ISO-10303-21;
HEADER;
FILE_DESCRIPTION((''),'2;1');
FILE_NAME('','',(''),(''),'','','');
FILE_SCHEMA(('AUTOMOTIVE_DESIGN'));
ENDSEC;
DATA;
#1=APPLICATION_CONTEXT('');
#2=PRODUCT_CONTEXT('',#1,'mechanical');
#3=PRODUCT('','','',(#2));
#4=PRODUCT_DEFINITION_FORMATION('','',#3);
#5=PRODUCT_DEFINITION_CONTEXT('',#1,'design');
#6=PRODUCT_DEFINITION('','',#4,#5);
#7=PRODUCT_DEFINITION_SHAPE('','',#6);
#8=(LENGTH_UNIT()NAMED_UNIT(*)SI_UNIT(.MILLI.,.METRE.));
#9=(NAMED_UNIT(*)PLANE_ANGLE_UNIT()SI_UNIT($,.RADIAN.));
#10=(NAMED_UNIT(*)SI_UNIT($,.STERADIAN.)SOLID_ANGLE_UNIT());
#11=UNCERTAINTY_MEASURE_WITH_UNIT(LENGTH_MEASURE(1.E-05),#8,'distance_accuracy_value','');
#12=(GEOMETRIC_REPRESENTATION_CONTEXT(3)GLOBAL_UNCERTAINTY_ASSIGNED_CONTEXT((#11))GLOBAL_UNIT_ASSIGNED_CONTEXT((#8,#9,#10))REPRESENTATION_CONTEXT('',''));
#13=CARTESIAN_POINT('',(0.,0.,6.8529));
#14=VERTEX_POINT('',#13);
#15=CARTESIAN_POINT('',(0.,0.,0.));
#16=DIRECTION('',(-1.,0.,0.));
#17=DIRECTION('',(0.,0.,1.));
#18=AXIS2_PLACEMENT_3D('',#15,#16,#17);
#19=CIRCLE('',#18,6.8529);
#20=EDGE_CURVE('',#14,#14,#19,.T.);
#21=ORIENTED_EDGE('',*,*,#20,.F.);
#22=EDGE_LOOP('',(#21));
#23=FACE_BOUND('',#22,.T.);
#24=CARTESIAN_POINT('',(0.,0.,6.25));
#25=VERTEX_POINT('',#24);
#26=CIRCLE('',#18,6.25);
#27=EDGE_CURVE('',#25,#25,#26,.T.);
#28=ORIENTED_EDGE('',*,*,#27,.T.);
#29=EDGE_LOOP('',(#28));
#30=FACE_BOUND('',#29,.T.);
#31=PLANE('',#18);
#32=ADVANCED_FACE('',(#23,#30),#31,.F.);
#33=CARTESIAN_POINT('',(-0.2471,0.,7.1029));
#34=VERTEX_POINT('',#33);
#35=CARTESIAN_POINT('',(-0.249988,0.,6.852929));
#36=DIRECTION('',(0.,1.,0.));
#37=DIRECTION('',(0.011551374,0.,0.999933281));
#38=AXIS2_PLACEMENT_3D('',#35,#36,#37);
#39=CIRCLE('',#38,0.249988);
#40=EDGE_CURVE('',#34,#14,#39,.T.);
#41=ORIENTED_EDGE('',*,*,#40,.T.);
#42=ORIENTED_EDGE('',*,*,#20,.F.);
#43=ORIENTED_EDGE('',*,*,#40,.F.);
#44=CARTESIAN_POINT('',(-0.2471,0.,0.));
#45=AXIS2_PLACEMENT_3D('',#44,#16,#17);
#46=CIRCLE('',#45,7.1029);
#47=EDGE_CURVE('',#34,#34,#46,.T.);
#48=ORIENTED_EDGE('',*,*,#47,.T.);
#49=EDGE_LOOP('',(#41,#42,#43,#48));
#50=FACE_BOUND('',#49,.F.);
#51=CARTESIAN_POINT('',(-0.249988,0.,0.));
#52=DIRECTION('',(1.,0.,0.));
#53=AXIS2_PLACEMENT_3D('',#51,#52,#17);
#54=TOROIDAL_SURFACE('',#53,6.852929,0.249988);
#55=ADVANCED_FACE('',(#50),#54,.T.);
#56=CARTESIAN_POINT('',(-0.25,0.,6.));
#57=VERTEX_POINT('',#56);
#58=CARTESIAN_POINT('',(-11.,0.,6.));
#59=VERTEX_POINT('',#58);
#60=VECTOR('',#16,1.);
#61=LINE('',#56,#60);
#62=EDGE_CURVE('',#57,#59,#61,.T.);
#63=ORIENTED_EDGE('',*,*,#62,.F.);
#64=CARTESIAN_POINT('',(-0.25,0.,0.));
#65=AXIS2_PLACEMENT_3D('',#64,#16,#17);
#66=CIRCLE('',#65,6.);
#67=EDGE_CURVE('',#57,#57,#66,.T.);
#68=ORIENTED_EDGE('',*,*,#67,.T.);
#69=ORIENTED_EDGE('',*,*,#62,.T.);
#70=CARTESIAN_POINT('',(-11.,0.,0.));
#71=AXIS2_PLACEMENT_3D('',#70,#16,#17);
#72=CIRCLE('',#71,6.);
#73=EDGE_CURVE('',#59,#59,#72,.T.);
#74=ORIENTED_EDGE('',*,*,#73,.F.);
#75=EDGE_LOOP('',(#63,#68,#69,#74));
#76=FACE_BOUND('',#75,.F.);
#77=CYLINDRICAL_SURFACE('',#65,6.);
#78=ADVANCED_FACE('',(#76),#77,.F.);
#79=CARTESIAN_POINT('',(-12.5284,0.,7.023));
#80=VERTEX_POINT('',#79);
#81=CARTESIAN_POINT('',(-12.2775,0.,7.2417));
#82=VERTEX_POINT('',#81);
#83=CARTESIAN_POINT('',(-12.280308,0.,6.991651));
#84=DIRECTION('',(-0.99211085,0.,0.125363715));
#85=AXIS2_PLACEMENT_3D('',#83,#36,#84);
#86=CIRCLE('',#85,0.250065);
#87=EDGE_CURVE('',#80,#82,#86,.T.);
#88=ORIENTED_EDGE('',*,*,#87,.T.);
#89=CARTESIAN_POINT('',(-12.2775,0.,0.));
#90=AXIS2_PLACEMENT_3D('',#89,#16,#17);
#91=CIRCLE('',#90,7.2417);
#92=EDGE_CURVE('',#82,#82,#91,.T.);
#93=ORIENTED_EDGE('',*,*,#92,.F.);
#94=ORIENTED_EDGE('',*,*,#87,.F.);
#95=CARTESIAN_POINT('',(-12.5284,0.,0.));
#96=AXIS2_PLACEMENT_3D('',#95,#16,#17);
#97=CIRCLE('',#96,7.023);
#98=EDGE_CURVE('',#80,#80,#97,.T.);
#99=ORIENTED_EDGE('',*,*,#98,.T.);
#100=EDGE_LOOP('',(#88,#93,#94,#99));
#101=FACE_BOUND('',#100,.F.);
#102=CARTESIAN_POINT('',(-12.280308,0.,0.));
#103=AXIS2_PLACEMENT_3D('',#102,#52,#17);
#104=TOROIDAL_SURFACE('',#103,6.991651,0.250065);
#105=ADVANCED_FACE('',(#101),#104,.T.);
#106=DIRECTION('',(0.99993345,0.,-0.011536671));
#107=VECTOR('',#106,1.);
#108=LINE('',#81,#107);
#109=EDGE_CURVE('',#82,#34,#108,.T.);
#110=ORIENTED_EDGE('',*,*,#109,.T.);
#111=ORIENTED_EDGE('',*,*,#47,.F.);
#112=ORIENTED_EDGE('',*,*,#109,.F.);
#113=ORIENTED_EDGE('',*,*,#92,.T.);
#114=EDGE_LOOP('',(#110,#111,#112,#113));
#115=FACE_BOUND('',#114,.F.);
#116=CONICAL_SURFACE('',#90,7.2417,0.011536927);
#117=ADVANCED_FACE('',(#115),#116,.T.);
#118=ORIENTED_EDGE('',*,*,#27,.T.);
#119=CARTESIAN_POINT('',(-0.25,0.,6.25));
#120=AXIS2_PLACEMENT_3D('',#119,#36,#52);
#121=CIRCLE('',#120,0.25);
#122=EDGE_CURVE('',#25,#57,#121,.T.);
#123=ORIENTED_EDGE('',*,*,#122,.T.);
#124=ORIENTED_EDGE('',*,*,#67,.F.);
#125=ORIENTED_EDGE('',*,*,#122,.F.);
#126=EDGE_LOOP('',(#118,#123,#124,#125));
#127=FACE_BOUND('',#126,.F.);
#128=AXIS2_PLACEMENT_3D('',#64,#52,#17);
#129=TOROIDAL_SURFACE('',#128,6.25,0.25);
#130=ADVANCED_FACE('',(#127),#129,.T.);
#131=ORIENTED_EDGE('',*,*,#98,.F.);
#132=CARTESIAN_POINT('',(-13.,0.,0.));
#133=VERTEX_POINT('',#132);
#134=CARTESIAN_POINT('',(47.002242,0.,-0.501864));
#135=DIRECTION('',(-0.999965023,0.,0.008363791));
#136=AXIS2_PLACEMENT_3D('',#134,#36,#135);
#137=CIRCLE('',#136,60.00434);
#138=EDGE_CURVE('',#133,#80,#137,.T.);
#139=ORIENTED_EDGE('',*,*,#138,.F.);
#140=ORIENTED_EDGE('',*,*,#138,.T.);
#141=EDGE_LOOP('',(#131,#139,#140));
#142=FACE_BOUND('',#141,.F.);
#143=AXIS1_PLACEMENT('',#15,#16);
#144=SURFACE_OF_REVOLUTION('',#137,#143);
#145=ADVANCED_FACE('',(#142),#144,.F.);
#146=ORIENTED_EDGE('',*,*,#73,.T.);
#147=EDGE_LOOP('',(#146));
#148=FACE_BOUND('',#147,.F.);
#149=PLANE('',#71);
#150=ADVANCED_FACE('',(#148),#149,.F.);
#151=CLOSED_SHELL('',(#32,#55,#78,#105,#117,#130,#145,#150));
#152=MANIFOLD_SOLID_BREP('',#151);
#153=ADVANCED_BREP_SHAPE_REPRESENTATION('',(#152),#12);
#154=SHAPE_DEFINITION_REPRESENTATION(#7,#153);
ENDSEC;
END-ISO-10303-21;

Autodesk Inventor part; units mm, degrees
ref_plane "YZ Plane" through (0, 0, 0) normal (1, 0, 0) x (0, 1, 0)
ref_plane "XZ Plane" through (0, 0, 0) normal (0, 1, 0) x (-1, 0, 0)
ref_plane "XY Plane" through (0, 0, 0) normal (0, 0, 1) x (1, 0, 0)
sketch "Sketch1" plane through (0, 0, 0) normal (0, 1, 0) x (-1, 0, 0)
  line L0 (0, 0) -> (13, 0) construction
  line L1 (0.25, 6) -> (11, 6)
  line L2 (11, 6) -> (11, 0)
  line L3 (0, 6.25) -> (0, 6.8529)
  line L4 (13, 0) -> (13, 7.25) construction
  line L5 (12.2775, 7.2417) -> (0.2471, 7.1029)
  arc A0 (13, 0) -> (12.5284, 7.023) centre (-46.9979, -0.5017) ccw
  arc A1 (0.2471, 7.1029) -> (0, 6.8529) centre (0.25, 6.8529) ccw
  arc A2 (0, 6.25) -> (0.25, 6) centre (0.25, 6.25) ccw
  arc A3 (12.5284, 7.023) -> (12.2775, 7.2417) centre (12.2804, 6.9917) ccw
  line L6 (13, 0) -> (11, 0)
  point P0 (0, 6)
  point P1 (0, 7.1)
  point P2 (12.5, 7.2442)
  dimension "d0" = 13
  dimension "d1" = 11
  dimension "d2" = 6
  dimension "d3" = 1.1
  dimension "d5" = 2
  dimension "d6" = 7.25
  dimension "d7" = 60
  dimension "d8" = 0.5
  dimension "d9" = 0.25
revolve "Revolution1" add sketch "Sketch1" angle 360 about axis through (0, 0, 0) along (-1, 0, 0)
properties part number "12mm_Endcap" material "Rubber"
